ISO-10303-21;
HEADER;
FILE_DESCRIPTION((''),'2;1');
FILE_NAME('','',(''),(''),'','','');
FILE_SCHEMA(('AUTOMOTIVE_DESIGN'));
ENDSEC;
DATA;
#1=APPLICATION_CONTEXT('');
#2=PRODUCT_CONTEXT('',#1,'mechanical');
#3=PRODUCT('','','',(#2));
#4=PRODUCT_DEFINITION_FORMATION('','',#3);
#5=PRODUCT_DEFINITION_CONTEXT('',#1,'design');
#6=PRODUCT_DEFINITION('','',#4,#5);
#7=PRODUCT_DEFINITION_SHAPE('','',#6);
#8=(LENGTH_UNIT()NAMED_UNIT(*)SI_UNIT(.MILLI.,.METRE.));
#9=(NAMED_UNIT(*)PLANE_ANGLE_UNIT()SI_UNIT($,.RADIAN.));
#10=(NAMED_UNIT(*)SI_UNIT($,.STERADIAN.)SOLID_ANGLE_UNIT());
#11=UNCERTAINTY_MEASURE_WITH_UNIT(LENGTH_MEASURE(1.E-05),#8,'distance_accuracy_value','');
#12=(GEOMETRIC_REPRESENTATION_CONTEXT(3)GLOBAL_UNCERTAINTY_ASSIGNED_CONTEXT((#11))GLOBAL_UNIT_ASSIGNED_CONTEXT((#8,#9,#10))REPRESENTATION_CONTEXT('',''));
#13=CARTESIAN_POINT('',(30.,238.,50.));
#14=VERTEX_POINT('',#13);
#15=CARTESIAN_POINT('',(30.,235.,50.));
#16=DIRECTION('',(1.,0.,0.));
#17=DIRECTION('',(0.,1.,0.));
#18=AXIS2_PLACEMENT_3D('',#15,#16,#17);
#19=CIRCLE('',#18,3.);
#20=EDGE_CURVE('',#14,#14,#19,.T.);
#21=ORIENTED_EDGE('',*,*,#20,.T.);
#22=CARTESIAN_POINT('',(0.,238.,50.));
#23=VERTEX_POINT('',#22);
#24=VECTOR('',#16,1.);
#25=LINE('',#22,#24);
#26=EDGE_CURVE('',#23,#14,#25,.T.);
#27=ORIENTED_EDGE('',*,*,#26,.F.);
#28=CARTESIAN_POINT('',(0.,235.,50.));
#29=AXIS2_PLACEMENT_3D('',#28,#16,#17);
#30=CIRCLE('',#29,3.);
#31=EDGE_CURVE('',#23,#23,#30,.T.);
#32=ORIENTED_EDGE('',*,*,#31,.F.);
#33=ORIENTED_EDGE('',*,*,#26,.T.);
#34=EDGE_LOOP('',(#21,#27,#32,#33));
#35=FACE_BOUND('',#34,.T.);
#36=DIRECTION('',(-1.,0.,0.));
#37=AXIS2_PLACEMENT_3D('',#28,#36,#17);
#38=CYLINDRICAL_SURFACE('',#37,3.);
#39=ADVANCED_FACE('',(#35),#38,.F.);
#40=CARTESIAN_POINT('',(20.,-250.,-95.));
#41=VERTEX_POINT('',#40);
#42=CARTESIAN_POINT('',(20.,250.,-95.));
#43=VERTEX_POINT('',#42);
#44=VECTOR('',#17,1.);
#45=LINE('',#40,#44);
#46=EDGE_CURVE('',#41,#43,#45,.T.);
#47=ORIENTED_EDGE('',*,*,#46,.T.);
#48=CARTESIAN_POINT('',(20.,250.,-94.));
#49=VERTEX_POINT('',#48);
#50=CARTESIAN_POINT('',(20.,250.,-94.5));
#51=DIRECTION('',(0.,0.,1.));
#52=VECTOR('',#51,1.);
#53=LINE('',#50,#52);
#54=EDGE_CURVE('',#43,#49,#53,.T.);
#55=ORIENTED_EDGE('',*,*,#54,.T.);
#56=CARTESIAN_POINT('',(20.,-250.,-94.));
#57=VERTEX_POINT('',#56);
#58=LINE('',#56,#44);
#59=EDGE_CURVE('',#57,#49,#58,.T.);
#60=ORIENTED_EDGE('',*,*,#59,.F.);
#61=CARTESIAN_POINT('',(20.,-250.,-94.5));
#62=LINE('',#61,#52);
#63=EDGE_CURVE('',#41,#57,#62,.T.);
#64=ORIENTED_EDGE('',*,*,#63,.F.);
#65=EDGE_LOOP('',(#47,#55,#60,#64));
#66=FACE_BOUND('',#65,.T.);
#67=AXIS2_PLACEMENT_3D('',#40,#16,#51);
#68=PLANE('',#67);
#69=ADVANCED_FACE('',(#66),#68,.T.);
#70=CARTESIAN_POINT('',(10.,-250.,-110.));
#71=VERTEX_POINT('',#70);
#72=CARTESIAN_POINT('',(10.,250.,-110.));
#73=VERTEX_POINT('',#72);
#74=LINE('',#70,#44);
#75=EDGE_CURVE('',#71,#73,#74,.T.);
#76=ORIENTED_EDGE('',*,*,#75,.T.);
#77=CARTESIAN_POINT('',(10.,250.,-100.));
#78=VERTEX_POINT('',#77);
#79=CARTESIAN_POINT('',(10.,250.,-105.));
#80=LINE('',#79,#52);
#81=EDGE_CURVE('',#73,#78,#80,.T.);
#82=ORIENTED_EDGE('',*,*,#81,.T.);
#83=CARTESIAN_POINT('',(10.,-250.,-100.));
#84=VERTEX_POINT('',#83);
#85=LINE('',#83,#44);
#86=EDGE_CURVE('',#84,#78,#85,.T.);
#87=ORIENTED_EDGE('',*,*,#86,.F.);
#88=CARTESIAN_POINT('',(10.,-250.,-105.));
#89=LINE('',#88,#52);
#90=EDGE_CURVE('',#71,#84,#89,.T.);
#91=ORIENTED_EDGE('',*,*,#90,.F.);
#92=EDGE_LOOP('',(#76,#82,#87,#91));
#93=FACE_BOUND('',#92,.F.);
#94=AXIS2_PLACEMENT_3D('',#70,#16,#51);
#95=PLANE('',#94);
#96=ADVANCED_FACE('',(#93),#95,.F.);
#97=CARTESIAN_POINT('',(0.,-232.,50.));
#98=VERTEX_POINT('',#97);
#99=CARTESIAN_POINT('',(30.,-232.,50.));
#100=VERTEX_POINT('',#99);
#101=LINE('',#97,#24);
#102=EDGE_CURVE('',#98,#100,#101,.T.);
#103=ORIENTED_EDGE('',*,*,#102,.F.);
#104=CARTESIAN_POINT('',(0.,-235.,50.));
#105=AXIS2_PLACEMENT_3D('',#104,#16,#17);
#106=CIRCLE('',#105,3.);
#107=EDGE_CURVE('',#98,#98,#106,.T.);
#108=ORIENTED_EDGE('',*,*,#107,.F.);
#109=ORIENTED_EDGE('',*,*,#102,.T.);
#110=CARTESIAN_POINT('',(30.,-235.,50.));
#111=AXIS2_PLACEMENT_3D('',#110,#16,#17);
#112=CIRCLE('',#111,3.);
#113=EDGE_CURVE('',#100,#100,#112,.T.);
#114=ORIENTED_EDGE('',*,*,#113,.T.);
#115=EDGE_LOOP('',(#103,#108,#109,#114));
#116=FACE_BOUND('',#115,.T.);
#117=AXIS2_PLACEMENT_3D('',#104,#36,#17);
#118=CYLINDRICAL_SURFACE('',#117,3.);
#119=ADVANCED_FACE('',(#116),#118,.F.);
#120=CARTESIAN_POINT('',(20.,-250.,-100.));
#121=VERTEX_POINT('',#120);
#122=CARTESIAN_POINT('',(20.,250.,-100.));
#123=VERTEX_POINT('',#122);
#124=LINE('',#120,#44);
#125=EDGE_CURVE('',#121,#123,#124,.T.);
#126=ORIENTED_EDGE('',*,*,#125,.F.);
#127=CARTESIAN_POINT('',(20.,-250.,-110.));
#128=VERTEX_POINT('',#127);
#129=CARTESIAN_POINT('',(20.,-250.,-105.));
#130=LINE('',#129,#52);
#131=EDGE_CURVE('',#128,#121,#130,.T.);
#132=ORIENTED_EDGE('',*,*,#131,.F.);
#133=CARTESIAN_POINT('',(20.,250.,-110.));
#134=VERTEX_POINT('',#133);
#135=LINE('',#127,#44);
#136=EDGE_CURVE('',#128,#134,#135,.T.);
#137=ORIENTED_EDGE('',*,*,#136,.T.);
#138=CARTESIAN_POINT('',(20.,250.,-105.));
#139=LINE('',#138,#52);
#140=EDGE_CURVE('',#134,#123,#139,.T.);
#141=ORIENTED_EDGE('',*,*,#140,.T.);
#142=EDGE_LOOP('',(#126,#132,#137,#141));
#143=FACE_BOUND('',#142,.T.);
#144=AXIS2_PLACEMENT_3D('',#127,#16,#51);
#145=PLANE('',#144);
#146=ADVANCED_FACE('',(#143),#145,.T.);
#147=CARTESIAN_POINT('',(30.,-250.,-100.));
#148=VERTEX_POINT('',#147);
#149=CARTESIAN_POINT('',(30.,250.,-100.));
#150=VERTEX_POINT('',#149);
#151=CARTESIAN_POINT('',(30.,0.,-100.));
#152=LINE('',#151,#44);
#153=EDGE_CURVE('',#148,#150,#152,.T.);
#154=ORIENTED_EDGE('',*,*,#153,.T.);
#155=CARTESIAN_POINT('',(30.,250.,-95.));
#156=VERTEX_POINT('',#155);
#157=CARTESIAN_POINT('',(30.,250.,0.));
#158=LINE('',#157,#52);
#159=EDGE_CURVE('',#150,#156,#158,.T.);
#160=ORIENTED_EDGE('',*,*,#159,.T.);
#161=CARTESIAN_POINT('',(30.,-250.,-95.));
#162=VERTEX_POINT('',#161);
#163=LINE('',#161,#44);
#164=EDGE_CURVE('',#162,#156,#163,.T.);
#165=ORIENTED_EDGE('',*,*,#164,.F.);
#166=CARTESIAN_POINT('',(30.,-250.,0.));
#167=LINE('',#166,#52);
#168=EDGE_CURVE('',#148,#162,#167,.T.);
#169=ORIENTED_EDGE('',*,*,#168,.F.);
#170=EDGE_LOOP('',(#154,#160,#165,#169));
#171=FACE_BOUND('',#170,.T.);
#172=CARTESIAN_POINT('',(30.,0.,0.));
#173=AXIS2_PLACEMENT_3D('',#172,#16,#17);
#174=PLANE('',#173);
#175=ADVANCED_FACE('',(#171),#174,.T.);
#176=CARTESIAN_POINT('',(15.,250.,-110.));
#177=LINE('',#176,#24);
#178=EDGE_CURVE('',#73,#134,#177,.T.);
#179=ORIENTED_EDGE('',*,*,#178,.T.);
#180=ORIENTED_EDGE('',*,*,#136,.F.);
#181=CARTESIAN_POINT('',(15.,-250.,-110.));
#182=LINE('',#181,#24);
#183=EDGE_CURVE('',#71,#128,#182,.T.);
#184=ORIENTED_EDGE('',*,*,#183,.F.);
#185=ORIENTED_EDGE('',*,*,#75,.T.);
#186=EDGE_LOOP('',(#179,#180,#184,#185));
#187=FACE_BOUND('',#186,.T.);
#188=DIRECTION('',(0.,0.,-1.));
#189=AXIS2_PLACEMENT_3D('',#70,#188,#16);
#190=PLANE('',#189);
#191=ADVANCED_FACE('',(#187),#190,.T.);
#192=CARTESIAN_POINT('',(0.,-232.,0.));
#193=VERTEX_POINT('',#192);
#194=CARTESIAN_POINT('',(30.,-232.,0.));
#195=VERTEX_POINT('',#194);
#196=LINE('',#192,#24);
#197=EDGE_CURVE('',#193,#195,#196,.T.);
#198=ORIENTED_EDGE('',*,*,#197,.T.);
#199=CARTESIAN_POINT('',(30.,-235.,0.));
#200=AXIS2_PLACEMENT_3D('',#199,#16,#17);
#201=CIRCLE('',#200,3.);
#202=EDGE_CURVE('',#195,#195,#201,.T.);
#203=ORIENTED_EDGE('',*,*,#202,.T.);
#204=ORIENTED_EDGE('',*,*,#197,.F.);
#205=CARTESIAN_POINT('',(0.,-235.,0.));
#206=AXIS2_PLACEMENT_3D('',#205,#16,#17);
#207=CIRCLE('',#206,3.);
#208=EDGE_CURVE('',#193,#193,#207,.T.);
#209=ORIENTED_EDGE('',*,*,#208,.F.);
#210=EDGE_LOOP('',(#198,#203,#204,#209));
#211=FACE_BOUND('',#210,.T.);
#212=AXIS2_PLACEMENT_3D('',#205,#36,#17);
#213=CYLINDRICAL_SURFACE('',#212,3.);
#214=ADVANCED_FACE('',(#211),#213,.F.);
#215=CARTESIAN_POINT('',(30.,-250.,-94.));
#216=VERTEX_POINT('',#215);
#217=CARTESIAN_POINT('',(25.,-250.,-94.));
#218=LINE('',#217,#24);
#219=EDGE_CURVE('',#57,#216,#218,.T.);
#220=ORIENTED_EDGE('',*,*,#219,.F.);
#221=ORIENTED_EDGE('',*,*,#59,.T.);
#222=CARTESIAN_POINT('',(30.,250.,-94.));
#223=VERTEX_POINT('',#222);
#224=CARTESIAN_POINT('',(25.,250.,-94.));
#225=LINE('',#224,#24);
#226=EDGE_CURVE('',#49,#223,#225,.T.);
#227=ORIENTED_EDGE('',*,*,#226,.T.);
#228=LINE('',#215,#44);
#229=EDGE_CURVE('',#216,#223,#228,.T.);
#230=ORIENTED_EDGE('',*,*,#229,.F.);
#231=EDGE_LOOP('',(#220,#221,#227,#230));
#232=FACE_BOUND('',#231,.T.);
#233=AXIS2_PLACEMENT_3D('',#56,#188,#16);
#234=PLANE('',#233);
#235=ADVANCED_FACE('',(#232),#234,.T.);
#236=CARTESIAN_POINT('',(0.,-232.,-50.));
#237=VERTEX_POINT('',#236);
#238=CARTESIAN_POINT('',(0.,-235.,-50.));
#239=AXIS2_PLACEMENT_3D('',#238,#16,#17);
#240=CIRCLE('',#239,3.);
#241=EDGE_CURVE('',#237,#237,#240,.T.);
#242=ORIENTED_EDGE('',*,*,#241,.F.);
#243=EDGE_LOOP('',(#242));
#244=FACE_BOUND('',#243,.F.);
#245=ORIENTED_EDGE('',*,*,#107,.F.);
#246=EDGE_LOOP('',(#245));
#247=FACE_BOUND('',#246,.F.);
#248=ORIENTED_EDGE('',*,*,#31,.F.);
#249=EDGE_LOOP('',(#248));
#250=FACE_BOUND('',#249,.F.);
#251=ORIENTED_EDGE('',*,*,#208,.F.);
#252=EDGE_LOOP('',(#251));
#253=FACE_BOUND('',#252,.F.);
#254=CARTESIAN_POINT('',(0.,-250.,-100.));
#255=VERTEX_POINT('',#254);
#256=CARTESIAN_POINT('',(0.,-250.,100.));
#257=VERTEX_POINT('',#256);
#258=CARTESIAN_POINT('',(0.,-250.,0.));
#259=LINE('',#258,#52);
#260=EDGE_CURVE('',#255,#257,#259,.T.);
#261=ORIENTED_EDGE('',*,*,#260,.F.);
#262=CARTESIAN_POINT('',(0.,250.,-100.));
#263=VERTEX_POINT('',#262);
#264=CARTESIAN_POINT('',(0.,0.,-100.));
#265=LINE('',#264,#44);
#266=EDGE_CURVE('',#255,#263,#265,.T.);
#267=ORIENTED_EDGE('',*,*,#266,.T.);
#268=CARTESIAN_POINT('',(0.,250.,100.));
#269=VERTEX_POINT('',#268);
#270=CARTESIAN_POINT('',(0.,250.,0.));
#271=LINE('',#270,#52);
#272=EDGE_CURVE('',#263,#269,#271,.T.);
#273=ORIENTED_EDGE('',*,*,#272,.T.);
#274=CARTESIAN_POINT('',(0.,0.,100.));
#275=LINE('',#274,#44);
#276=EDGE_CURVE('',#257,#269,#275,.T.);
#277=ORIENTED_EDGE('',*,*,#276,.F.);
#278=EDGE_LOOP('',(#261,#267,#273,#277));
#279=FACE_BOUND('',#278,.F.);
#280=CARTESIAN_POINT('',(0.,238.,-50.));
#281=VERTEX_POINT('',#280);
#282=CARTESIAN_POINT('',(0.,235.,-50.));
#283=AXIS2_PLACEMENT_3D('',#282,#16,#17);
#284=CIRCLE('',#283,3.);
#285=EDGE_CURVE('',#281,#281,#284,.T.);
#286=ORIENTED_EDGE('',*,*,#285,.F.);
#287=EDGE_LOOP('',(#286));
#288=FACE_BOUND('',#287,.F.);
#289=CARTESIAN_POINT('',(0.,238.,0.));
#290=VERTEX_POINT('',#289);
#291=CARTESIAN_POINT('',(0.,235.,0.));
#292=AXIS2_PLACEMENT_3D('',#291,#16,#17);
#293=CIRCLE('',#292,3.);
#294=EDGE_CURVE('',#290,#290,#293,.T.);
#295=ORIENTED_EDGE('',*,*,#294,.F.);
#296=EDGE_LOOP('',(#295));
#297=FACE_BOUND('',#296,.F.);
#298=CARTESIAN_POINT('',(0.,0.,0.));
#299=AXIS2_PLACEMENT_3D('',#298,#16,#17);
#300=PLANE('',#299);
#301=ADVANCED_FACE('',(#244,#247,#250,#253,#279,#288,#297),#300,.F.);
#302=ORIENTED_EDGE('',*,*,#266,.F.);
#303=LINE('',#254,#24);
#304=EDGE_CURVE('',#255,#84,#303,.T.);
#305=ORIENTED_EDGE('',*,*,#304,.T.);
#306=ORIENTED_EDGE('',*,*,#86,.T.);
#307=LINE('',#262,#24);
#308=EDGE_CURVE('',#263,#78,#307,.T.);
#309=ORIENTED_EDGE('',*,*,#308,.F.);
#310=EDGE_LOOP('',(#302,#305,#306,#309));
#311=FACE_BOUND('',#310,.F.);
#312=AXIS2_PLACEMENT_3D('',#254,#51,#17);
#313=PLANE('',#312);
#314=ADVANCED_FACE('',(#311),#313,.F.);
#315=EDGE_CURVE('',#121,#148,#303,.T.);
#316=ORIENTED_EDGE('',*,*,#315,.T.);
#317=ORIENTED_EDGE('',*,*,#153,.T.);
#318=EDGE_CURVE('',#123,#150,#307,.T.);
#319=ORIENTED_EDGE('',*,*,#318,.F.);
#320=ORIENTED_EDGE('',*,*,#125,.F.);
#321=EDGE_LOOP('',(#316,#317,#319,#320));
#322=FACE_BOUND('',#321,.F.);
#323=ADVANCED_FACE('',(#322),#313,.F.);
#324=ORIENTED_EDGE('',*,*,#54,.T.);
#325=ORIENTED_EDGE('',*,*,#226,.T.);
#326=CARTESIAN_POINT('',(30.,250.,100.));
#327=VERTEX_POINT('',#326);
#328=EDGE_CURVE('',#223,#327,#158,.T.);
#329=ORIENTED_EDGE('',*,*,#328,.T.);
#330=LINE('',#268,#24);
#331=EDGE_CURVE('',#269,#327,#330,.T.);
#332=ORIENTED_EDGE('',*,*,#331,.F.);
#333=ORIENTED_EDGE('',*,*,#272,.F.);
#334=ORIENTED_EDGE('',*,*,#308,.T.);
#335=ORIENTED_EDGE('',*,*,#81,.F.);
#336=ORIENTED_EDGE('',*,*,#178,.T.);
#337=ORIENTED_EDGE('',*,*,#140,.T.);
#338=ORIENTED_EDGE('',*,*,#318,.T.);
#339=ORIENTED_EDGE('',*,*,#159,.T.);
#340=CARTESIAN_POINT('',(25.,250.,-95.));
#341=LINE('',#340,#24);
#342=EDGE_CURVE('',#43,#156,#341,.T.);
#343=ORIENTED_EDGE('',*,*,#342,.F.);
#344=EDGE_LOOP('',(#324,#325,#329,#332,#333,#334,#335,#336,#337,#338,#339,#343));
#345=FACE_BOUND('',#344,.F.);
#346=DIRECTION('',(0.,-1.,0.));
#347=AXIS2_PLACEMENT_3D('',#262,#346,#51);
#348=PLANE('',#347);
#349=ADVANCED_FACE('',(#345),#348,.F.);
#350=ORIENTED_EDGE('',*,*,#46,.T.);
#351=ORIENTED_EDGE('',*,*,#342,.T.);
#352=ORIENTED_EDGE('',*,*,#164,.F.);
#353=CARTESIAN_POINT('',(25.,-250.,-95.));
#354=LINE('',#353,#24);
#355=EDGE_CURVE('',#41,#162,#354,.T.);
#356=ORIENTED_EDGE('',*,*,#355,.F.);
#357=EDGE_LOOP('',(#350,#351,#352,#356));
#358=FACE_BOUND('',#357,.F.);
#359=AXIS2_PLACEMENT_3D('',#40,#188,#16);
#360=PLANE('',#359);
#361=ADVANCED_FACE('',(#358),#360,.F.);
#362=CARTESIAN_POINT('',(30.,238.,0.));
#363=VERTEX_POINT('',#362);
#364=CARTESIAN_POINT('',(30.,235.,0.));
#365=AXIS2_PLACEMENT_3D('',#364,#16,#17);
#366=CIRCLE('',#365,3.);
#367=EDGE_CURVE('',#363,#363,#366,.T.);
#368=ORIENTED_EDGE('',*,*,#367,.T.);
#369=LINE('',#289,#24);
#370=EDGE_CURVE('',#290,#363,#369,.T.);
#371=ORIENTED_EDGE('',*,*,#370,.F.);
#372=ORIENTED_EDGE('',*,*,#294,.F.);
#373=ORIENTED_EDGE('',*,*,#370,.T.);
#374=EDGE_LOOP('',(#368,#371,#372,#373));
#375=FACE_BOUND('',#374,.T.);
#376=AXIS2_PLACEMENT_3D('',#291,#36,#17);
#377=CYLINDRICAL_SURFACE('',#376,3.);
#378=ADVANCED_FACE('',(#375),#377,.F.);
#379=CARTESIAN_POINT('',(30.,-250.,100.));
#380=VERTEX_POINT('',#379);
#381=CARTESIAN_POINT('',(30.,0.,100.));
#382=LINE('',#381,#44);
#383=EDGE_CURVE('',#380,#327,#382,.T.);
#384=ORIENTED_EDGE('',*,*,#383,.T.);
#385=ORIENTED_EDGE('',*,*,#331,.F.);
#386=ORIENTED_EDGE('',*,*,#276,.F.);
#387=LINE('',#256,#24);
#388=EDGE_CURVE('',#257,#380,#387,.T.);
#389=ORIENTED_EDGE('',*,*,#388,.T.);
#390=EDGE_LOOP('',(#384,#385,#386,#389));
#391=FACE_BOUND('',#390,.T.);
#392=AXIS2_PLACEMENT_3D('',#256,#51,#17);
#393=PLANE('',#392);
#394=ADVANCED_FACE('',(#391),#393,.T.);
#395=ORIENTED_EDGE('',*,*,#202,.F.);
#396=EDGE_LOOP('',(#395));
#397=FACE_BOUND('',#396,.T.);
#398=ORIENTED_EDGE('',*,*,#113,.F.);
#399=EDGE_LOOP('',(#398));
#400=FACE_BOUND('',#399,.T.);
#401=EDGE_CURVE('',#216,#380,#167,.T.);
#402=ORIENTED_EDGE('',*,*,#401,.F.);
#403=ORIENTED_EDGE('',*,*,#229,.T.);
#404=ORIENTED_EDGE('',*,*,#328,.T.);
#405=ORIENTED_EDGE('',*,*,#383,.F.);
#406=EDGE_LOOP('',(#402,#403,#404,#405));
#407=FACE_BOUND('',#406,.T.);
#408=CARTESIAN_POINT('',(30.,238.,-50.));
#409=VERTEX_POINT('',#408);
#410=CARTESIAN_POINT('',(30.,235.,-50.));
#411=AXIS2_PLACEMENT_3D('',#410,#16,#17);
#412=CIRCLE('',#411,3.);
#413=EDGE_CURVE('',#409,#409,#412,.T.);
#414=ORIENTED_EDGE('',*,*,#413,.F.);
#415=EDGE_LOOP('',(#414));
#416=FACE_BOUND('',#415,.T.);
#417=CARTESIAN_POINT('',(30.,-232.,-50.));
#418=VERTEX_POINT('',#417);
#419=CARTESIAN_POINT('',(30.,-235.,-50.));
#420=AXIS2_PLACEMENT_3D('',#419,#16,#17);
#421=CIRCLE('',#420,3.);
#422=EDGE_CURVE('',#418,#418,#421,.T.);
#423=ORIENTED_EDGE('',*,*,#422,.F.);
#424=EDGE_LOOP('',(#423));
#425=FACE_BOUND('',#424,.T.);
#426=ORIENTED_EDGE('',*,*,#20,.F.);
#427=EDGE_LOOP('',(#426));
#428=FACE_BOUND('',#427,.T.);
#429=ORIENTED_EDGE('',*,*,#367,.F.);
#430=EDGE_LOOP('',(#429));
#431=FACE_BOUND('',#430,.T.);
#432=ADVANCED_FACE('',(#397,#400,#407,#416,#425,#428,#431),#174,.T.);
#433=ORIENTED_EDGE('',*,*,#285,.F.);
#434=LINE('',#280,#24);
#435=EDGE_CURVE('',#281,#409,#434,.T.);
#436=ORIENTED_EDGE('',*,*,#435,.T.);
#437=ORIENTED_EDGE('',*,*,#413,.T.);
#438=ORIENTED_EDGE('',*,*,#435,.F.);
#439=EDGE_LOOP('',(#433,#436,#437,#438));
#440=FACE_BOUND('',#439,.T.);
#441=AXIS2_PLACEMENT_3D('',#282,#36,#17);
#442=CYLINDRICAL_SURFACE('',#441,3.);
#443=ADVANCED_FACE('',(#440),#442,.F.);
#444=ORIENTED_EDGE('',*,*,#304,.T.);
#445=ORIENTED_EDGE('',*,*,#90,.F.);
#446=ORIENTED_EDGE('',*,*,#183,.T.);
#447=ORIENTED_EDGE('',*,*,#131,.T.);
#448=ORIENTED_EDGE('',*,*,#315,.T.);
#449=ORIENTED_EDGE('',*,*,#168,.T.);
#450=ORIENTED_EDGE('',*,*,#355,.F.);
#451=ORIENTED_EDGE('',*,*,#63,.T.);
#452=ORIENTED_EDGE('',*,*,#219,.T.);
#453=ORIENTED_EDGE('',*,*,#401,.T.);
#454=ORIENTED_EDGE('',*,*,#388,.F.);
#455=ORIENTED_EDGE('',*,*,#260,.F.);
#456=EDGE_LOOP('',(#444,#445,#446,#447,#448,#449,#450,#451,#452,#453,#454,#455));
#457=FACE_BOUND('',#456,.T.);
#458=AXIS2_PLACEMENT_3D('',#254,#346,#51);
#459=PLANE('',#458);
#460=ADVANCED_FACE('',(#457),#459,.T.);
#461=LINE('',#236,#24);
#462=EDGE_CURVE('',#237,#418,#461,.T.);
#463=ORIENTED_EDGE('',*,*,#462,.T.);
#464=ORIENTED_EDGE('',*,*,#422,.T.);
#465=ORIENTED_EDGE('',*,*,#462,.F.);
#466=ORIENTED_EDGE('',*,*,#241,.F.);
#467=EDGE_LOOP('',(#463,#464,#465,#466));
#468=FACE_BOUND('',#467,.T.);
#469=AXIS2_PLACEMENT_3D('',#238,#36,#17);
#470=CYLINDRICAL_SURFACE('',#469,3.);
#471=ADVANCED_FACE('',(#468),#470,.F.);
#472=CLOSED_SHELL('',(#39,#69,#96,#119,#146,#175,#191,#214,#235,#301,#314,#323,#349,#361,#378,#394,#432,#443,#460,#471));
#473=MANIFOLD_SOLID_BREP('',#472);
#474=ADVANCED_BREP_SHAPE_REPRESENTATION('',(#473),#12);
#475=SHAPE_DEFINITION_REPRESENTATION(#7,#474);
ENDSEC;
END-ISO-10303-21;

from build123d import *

# Parameters (mm, degrees)
F0_W     = 500
F0_H     = 200
F0_R     = 3
F1_DEPTH = 30
F2_W     = 10
F2_H     = 10
F3_DEPTH = 500
F4_W     = 10
F4_H     = 1
F5_DEPTH = 500


with BuildPart() as f1:
    # F0 (on Right) → F1 (new body)
    with BuildSketch(Plane.YZ):
        Rectangle(F0_W, F0_H)
        with Locations((-235, -50)):
            Circle(F0_R, mode=Mode.SUBTRACT)
        with Locations((235, -50)):
            Circle(F0_R, mode=Mode.SUBTRACT)
        with Locations((-235, 0)):
            Circle(F0_R, mode=Mode.SUBTRACT)
        with Locations((-235, 50)):
            Circle(F0_R, mode=Mode.SUBTRACT)
        with Locations((235, 0)):
            Circle(F0_R, mode=Mode.SUBTRACT)
        with Locations((235, 50)):
            Circle(F0_R, mode=Mode.SUBTRACT)
    extrude(amount=F1_DEPTH)

    # F2 (on face) → F3 (join)
    with BuildSketch(Plane.XZ.offset(250)):
        with Locations((15, -105)):
            Rectangle(F2_W, F2_H)
    extrude(amount=-F3_DEPTH)

    # F4 (on face) → F5 (cut)
    with BuildSketch(Plane.XZ.offset(250)):
        with Locations((25, -94.5)):
            Rectangle(F4_W, F4_H)
    extrude(amount=-F5_DEPTH, mode=Mode.SUBTRACT)


solid = f1.part
